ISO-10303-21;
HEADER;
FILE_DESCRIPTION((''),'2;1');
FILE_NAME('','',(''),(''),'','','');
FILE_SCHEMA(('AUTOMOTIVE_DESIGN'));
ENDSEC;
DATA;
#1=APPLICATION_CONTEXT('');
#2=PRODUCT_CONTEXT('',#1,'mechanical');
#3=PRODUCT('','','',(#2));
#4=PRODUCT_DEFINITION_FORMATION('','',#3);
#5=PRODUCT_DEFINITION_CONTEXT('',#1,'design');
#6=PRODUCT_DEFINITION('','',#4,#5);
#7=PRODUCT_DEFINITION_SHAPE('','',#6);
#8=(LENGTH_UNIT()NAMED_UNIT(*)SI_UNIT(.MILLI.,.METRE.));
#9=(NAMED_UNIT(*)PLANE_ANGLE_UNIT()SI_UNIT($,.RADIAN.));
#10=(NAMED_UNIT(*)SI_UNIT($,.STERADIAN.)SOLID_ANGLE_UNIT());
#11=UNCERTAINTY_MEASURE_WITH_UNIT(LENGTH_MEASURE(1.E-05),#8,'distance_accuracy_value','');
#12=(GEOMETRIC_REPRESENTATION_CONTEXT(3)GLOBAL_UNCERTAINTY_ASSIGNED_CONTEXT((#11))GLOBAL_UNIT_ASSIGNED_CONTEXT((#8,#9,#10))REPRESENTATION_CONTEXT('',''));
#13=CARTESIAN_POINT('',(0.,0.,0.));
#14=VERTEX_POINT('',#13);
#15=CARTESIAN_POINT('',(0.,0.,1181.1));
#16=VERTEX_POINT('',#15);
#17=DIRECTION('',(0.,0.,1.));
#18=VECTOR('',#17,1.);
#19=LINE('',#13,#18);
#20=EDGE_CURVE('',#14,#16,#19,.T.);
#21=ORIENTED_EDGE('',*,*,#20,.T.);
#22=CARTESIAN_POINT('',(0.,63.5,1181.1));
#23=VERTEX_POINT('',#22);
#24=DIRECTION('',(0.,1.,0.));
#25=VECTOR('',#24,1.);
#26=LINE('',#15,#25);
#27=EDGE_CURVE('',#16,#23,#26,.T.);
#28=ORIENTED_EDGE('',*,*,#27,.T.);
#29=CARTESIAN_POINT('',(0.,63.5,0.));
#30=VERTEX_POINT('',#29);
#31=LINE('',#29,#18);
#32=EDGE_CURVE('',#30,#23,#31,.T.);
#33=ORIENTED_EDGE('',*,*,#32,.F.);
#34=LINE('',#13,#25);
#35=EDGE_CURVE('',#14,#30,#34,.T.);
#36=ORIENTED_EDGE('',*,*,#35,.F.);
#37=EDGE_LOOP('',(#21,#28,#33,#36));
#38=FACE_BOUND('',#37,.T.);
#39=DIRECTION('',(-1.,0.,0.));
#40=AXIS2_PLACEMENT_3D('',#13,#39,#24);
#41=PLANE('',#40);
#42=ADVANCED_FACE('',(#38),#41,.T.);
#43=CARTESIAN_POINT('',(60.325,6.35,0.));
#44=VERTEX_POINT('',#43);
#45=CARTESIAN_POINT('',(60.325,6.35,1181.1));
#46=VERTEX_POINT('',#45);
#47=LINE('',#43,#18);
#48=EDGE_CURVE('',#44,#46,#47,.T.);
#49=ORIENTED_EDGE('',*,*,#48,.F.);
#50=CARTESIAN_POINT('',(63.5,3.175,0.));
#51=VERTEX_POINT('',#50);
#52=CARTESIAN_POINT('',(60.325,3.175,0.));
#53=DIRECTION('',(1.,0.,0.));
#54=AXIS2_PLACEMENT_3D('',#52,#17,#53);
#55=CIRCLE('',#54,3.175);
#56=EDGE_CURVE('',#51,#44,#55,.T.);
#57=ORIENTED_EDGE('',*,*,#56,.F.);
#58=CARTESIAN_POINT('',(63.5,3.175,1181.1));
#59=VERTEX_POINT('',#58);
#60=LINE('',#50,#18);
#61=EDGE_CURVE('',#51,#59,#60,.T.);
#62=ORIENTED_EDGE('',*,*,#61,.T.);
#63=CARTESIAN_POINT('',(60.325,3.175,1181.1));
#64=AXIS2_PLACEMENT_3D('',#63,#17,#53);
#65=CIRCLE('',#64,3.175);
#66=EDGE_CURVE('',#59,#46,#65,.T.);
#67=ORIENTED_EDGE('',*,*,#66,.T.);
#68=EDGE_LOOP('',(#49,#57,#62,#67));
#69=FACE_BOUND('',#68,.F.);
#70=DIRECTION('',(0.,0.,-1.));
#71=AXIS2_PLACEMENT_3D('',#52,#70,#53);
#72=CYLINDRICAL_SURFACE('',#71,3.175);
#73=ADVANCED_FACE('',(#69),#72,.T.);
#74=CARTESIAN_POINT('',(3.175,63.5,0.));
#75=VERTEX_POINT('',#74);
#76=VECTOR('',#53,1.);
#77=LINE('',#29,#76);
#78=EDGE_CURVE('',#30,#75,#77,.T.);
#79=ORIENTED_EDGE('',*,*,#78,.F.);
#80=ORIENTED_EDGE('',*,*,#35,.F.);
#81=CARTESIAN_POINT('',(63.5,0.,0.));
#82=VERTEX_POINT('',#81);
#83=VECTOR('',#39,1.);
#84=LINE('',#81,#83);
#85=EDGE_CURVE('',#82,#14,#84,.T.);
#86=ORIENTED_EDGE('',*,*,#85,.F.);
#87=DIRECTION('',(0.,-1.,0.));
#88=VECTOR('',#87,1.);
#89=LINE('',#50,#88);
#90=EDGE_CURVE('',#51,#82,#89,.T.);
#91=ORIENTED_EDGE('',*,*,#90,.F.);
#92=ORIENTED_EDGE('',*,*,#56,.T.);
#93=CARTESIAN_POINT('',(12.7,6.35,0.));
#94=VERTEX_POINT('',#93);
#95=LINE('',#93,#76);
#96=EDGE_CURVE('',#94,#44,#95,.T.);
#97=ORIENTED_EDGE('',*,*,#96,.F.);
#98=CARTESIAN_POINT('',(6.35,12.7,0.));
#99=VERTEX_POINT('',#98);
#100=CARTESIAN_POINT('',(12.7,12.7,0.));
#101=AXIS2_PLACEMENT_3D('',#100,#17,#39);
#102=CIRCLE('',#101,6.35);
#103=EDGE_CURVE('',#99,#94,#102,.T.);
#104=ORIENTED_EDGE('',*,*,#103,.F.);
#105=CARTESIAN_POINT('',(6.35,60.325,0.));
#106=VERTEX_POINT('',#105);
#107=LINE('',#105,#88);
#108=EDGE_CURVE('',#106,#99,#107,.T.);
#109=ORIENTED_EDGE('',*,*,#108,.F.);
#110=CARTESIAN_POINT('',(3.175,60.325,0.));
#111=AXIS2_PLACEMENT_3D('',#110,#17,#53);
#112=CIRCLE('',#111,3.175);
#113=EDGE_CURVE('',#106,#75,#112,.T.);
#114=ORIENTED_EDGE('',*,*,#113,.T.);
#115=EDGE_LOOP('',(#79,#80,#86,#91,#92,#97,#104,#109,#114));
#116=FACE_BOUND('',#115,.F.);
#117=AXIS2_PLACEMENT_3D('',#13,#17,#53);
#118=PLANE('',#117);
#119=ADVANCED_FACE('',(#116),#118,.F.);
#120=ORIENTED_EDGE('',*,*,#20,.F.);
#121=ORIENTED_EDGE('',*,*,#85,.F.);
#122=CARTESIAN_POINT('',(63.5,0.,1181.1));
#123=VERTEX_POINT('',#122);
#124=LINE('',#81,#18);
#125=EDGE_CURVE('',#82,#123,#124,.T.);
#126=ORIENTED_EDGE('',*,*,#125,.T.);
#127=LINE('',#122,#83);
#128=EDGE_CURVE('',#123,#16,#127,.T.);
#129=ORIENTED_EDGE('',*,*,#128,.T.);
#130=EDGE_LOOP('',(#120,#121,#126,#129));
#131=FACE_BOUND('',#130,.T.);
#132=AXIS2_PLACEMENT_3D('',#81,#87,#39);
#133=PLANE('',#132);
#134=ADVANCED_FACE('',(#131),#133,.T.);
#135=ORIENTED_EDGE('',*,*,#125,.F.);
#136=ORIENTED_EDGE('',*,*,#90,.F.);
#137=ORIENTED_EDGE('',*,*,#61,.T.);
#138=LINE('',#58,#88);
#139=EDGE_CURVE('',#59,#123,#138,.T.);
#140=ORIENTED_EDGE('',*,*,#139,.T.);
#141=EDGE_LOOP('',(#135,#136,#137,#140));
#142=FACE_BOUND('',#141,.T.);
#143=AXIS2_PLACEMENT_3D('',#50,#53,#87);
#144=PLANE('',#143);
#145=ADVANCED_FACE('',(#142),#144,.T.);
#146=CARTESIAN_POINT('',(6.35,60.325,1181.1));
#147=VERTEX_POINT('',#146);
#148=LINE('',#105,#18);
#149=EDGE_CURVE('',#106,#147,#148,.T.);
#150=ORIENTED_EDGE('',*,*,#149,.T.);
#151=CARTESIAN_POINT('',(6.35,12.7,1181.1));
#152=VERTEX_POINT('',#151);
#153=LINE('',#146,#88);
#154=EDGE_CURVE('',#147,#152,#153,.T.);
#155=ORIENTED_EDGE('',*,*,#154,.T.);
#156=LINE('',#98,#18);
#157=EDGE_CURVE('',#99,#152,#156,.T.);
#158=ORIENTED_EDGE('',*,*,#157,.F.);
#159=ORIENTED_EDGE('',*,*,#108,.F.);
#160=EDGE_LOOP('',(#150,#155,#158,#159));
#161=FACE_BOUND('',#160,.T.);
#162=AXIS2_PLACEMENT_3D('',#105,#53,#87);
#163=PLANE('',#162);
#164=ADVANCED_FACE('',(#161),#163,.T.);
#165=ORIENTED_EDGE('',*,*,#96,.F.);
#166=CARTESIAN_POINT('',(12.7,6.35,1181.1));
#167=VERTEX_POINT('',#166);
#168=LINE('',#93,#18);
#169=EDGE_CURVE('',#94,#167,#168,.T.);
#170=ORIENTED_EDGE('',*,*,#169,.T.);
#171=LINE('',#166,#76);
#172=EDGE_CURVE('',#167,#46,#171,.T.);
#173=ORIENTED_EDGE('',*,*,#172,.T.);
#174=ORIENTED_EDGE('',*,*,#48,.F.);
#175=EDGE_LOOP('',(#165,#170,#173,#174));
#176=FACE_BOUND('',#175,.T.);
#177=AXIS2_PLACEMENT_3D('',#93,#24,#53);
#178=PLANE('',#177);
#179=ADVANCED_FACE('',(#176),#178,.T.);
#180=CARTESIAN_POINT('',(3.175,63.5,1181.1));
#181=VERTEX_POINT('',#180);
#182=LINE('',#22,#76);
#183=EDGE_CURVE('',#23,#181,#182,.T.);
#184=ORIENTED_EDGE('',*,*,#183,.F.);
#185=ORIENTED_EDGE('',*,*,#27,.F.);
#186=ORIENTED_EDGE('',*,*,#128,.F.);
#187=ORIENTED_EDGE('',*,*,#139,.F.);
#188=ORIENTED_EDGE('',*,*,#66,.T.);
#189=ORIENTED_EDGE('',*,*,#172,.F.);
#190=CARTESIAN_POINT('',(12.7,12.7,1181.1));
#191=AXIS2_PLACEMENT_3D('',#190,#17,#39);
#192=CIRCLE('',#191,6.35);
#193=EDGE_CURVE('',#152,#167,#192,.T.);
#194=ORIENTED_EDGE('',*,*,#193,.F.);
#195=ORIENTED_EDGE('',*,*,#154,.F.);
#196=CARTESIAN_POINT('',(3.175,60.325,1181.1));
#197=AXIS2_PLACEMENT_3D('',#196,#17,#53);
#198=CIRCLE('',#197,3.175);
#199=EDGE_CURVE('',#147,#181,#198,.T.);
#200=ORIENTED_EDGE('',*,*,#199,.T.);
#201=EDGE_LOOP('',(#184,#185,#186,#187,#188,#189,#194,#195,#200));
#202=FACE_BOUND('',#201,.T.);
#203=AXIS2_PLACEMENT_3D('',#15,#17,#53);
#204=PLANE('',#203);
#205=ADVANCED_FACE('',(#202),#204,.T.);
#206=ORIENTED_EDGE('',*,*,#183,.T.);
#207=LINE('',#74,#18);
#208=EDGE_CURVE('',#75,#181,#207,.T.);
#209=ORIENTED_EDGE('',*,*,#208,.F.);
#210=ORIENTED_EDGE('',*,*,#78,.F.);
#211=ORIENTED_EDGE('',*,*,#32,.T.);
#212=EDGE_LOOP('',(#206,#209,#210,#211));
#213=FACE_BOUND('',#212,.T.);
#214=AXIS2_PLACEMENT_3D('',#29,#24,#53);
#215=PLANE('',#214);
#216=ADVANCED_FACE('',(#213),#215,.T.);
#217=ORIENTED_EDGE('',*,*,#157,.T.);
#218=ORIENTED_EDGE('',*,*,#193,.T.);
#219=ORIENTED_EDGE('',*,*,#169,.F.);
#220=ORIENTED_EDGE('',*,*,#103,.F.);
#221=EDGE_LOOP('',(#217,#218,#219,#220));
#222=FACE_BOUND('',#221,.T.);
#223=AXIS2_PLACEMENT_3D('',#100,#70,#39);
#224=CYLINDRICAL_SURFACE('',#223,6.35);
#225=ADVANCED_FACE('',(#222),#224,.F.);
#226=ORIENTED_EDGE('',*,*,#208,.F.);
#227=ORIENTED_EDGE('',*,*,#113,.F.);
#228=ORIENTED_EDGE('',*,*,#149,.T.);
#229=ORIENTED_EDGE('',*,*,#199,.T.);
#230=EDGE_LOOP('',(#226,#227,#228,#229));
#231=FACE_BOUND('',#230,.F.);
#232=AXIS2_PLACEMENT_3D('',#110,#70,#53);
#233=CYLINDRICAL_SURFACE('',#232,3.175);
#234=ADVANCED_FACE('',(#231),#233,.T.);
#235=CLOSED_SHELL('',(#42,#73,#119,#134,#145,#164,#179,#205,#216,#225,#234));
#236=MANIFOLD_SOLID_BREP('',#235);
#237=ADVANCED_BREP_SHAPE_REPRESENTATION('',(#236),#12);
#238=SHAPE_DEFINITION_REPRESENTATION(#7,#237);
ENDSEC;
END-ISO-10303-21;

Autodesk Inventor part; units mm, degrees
ref_plane "YZ Plane" through (0, 0, 0) normal (1, 0, 0) x (0, 1, 0)
ref_plane "XZ Plane" through (0, 0, 0) normal (0, 1, 0) x (-1, 0, 0)
ref_plane "XY Plane" through (0, 0, 0) normal (0, 0, 1) x (1, 0, 0)
sketch "Sketch1" plane through (0, 0, 0) normal (0, 0, 1) x (1, 0, 0)
  line L0 (0, 0) -> (0, 63.5)
  line L1 (0, 63.5) -> (3.175, 63.5)
  line L2 (6.35, 60.325) -> (6.35, 12.7)
  line L3 (12.7, 6.35) -> (60.325, 6.35)
  line L4 (63.5, 3.175) -> (63.5, 0)
  line L5 (63.5, 0) -> (0, 0)
  arc A0 (6.35, 12.7) -> (12.7, 6.35) centre (12.7, 12.7) ccw
  arc A1 (63.5, 3.175) -> (60.325, 6.35) centre (60.325, 3.175) ccw
  arc A2 (6.35, 60.325) -> (3.175, 63.5) centre (3.175, 60.325) ccw
  dimension "d0" = 63.5
  dimension "d1" = 6.35
  dimension "d2" = 6.35
  dimension "d3" = 3.175
extrude "Extrusion1" add sketch "Sketch1" along normal blind 1181.1
properties part number "GE-12019-06" material "Aluminum-6061"
